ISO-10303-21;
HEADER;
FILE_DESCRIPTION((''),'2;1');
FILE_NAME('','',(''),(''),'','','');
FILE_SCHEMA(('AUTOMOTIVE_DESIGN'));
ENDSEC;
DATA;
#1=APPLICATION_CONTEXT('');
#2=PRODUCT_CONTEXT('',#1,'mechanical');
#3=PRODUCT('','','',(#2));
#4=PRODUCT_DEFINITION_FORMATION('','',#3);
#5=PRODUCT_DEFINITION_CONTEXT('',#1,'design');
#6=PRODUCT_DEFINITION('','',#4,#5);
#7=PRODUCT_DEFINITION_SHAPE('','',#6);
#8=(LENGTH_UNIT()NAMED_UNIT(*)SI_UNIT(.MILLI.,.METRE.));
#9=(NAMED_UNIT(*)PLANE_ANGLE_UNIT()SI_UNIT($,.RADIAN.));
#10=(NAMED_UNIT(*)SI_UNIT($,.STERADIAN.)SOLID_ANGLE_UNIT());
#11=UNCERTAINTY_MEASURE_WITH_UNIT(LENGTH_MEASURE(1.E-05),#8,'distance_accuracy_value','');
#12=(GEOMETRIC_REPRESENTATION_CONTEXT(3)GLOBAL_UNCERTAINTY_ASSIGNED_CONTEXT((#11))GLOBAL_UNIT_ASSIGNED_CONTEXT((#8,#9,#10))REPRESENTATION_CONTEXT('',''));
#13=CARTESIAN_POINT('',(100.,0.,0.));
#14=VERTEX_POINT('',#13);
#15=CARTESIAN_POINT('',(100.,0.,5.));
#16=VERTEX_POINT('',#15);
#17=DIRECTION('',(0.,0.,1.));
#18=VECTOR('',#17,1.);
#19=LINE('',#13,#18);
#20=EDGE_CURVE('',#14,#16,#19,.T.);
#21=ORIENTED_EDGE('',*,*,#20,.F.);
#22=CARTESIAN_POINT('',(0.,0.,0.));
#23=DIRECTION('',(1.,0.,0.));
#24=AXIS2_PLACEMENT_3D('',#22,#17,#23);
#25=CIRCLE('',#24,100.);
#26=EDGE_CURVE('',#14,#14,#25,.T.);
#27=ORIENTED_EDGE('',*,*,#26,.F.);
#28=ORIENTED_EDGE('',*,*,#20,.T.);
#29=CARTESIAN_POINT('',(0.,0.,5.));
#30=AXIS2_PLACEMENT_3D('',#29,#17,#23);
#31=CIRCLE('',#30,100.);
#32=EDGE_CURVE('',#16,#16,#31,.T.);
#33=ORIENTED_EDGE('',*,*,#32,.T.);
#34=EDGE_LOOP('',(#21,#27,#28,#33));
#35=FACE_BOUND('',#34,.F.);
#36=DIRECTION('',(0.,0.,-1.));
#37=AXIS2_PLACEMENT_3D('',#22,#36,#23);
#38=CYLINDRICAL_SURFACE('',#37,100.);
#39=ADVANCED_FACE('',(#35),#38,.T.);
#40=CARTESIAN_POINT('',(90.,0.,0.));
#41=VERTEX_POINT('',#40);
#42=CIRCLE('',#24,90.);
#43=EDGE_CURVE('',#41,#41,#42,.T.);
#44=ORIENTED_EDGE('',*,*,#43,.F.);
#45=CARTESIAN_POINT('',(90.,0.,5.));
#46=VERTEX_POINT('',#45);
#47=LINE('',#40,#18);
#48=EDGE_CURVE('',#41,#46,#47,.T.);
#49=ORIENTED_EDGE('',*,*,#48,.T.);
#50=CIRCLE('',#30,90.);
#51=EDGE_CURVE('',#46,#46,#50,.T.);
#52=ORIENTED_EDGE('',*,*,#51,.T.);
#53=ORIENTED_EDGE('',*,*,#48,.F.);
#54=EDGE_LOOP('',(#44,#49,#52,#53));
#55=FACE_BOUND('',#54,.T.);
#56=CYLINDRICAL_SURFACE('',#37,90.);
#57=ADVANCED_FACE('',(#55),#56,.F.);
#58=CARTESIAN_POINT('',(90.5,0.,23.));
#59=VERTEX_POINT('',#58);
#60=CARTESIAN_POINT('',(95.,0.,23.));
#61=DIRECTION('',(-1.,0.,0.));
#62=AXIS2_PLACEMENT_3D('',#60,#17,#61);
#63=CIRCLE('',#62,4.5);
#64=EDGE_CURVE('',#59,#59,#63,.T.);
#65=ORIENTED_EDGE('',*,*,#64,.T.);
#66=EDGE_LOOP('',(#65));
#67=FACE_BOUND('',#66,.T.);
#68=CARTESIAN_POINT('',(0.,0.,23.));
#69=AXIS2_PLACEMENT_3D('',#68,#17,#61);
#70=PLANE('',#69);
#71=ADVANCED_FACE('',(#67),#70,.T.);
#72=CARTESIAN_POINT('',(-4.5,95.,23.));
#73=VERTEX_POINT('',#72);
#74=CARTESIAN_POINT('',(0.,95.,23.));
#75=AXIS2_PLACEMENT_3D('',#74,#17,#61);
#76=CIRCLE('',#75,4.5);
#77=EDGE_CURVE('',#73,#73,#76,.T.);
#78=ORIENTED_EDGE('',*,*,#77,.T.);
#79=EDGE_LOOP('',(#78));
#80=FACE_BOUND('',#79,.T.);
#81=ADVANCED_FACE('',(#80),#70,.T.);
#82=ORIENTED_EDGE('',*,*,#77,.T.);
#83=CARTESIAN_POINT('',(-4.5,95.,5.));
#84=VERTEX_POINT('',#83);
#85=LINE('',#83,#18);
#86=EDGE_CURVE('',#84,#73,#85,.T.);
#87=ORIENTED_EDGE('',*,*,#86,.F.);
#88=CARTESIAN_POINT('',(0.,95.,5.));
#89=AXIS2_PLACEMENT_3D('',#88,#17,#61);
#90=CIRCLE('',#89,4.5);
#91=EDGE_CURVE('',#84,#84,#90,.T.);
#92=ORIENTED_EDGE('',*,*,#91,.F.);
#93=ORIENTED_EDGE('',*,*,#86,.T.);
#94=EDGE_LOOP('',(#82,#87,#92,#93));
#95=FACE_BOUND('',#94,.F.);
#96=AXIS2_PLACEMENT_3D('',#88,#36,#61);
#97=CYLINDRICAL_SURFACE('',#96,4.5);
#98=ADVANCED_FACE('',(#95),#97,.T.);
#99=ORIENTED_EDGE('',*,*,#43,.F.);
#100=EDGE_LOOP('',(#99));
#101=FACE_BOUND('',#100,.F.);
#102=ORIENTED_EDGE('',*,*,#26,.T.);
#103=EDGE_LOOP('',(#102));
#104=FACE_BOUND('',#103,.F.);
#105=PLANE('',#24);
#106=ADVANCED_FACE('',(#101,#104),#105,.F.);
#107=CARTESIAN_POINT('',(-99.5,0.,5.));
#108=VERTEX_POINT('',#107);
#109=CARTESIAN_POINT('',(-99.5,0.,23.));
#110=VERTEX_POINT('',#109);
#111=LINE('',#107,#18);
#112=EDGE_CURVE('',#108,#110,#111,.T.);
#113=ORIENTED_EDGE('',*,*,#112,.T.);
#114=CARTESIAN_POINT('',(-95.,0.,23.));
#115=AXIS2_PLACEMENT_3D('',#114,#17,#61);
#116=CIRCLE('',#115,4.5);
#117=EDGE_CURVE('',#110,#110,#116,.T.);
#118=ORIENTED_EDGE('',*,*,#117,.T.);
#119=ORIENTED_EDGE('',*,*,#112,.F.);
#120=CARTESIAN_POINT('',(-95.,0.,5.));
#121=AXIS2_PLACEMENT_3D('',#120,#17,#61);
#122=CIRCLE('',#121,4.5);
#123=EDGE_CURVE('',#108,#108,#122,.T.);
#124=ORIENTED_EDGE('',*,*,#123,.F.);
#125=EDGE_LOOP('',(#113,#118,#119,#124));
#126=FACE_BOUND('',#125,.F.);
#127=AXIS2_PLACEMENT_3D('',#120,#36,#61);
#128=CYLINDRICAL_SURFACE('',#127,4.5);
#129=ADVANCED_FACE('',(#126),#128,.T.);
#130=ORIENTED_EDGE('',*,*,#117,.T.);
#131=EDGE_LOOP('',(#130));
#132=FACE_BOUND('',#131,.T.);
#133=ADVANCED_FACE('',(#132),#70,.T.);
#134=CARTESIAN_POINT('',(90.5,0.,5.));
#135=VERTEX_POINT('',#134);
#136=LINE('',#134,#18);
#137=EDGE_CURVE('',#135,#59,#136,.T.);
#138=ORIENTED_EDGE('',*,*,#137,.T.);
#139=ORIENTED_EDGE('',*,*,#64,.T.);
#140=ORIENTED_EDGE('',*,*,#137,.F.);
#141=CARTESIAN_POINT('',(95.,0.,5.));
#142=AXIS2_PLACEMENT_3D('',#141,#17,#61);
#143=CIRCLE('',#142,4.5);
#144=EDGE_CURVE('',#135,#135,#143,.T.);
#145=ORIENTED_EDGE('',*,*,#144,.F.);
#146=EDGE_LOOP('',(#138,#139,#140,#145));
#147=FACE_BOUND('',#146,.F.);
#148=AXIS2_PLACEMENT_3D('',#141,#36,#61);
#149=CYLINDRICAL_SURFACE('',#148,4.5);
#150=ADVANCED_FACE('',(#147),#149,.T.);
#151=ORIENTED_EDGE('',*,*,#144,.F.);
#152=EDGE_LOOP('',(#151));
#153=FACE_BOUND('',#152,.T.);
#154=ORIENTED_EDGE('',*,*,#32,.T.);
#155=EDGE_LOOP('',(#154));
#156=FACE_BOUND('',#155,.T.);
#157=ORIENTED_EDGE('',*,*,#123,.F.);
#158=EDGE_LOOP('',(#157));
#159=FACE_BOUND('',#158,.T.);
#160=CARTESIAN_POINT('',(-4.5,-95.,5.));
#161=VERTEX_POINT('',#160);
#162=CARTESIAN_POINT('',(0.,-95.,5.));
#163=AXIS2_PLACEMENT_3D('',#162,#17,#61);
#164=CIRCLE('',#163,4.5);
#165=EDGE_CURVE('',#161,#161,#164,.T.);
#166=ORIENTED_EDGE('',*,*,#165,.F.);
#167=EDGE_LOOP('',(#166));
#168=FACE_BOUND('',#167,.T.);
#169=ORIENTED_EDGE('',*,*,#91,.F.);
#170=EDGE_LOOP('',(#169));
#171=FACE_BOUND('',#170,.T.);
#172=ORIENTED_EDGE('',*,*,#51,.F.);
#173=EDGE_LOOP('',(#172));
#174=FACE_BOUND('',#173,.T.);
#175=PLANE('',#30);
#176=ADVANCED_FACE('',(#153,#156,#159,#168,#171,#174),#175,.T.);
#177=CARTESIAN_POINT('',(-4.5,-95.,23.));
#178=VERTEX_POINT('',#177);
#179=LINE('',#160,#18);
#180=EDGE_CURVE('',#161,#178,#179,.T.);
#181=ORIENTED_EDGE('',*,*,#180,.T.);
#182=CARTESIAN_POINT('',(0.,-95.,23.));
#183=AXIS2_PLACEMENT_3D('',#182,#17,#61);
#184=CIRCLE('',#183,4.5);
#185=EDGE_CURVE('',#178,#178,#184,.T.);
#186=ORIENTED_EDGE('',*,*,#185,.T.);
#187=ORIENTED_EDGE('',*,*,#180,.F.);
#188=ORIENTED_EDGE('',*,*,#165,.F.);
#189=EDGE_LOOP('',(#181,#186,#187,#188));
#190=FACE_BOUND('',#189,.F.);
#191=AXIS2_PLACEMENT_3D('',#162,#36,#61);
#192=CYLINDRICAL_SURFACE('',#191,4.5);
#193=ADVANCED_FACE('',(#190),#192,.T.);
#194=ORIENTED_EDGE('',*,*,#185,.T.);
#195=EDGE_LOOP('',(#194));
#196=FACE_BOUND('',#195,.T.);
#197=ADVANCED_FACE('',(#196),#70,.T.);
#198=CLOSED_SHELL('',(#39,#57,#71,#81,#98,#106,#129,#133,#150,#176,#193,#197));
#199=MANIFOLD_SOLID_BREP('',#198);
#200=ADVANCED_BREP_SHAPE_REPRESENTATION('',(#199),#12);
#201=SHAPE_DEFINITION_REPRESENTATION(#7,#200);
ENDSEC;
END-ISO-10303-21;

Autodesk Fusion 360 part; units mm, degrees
sketch "Sketch1" plane through (0, 0, 0) normal (0, 0, 1) x (1, 0, 0)
  circle A0 centre (0, 0) radius 100
  circle A1 centre (0, 0) radius 90
  dimension "d1" = 200
  dimension "d2" = 180
extrude "Extrude1" add sketch "Sketch1" along normal blind 5
sketch "Sketch2" plane through (0, 0, 5) normal (0, 0, 1) x (-1, 0, 0)
  circle A0 centre (0, 0) radius 90
  circle A1 centre (0, 0) radius 100
  line L0 (0, 0) -> (-95, 0) construction
  line L1 (-95, 0) -> (95, 0) construction
  line L2 (95, 0) -> (95, -95) construction
  line L3 (95, -95) -> (-95, -95) construction
  line L4 (-95, -95) -> (-95, 0) construction
  line L5 (-95, 0) -> (95, 0) construction
  line L6 (95, 0) -> (95, 95) construction
  line L7 (95, 95) -> (-95, 95) construction
  line L8 (-95, 95) -> (-95, 0) construction
  circle A2 centre (95, 0) radius 4.5
  circle A3 centre (0, -95) radius 4.5
  circle A4 centre (-95, 0) radius 4.5
  circle A5 centre (0, 95) radius 4.5
  dimension "d5" = 95
  dimension "d6" = 190
  dimension "d7" = 95
  dimension "d8" = 190
  dimension "d9" = 95
  dimension "d10" = 9
  dimension "d11" = 9
  dimension "d12" = 9
  dimension "d13" = 9
extrude "Extrude2" add sketch "Sketch2" along normal blind 18 contours A2 | A3 | A4 | A5
